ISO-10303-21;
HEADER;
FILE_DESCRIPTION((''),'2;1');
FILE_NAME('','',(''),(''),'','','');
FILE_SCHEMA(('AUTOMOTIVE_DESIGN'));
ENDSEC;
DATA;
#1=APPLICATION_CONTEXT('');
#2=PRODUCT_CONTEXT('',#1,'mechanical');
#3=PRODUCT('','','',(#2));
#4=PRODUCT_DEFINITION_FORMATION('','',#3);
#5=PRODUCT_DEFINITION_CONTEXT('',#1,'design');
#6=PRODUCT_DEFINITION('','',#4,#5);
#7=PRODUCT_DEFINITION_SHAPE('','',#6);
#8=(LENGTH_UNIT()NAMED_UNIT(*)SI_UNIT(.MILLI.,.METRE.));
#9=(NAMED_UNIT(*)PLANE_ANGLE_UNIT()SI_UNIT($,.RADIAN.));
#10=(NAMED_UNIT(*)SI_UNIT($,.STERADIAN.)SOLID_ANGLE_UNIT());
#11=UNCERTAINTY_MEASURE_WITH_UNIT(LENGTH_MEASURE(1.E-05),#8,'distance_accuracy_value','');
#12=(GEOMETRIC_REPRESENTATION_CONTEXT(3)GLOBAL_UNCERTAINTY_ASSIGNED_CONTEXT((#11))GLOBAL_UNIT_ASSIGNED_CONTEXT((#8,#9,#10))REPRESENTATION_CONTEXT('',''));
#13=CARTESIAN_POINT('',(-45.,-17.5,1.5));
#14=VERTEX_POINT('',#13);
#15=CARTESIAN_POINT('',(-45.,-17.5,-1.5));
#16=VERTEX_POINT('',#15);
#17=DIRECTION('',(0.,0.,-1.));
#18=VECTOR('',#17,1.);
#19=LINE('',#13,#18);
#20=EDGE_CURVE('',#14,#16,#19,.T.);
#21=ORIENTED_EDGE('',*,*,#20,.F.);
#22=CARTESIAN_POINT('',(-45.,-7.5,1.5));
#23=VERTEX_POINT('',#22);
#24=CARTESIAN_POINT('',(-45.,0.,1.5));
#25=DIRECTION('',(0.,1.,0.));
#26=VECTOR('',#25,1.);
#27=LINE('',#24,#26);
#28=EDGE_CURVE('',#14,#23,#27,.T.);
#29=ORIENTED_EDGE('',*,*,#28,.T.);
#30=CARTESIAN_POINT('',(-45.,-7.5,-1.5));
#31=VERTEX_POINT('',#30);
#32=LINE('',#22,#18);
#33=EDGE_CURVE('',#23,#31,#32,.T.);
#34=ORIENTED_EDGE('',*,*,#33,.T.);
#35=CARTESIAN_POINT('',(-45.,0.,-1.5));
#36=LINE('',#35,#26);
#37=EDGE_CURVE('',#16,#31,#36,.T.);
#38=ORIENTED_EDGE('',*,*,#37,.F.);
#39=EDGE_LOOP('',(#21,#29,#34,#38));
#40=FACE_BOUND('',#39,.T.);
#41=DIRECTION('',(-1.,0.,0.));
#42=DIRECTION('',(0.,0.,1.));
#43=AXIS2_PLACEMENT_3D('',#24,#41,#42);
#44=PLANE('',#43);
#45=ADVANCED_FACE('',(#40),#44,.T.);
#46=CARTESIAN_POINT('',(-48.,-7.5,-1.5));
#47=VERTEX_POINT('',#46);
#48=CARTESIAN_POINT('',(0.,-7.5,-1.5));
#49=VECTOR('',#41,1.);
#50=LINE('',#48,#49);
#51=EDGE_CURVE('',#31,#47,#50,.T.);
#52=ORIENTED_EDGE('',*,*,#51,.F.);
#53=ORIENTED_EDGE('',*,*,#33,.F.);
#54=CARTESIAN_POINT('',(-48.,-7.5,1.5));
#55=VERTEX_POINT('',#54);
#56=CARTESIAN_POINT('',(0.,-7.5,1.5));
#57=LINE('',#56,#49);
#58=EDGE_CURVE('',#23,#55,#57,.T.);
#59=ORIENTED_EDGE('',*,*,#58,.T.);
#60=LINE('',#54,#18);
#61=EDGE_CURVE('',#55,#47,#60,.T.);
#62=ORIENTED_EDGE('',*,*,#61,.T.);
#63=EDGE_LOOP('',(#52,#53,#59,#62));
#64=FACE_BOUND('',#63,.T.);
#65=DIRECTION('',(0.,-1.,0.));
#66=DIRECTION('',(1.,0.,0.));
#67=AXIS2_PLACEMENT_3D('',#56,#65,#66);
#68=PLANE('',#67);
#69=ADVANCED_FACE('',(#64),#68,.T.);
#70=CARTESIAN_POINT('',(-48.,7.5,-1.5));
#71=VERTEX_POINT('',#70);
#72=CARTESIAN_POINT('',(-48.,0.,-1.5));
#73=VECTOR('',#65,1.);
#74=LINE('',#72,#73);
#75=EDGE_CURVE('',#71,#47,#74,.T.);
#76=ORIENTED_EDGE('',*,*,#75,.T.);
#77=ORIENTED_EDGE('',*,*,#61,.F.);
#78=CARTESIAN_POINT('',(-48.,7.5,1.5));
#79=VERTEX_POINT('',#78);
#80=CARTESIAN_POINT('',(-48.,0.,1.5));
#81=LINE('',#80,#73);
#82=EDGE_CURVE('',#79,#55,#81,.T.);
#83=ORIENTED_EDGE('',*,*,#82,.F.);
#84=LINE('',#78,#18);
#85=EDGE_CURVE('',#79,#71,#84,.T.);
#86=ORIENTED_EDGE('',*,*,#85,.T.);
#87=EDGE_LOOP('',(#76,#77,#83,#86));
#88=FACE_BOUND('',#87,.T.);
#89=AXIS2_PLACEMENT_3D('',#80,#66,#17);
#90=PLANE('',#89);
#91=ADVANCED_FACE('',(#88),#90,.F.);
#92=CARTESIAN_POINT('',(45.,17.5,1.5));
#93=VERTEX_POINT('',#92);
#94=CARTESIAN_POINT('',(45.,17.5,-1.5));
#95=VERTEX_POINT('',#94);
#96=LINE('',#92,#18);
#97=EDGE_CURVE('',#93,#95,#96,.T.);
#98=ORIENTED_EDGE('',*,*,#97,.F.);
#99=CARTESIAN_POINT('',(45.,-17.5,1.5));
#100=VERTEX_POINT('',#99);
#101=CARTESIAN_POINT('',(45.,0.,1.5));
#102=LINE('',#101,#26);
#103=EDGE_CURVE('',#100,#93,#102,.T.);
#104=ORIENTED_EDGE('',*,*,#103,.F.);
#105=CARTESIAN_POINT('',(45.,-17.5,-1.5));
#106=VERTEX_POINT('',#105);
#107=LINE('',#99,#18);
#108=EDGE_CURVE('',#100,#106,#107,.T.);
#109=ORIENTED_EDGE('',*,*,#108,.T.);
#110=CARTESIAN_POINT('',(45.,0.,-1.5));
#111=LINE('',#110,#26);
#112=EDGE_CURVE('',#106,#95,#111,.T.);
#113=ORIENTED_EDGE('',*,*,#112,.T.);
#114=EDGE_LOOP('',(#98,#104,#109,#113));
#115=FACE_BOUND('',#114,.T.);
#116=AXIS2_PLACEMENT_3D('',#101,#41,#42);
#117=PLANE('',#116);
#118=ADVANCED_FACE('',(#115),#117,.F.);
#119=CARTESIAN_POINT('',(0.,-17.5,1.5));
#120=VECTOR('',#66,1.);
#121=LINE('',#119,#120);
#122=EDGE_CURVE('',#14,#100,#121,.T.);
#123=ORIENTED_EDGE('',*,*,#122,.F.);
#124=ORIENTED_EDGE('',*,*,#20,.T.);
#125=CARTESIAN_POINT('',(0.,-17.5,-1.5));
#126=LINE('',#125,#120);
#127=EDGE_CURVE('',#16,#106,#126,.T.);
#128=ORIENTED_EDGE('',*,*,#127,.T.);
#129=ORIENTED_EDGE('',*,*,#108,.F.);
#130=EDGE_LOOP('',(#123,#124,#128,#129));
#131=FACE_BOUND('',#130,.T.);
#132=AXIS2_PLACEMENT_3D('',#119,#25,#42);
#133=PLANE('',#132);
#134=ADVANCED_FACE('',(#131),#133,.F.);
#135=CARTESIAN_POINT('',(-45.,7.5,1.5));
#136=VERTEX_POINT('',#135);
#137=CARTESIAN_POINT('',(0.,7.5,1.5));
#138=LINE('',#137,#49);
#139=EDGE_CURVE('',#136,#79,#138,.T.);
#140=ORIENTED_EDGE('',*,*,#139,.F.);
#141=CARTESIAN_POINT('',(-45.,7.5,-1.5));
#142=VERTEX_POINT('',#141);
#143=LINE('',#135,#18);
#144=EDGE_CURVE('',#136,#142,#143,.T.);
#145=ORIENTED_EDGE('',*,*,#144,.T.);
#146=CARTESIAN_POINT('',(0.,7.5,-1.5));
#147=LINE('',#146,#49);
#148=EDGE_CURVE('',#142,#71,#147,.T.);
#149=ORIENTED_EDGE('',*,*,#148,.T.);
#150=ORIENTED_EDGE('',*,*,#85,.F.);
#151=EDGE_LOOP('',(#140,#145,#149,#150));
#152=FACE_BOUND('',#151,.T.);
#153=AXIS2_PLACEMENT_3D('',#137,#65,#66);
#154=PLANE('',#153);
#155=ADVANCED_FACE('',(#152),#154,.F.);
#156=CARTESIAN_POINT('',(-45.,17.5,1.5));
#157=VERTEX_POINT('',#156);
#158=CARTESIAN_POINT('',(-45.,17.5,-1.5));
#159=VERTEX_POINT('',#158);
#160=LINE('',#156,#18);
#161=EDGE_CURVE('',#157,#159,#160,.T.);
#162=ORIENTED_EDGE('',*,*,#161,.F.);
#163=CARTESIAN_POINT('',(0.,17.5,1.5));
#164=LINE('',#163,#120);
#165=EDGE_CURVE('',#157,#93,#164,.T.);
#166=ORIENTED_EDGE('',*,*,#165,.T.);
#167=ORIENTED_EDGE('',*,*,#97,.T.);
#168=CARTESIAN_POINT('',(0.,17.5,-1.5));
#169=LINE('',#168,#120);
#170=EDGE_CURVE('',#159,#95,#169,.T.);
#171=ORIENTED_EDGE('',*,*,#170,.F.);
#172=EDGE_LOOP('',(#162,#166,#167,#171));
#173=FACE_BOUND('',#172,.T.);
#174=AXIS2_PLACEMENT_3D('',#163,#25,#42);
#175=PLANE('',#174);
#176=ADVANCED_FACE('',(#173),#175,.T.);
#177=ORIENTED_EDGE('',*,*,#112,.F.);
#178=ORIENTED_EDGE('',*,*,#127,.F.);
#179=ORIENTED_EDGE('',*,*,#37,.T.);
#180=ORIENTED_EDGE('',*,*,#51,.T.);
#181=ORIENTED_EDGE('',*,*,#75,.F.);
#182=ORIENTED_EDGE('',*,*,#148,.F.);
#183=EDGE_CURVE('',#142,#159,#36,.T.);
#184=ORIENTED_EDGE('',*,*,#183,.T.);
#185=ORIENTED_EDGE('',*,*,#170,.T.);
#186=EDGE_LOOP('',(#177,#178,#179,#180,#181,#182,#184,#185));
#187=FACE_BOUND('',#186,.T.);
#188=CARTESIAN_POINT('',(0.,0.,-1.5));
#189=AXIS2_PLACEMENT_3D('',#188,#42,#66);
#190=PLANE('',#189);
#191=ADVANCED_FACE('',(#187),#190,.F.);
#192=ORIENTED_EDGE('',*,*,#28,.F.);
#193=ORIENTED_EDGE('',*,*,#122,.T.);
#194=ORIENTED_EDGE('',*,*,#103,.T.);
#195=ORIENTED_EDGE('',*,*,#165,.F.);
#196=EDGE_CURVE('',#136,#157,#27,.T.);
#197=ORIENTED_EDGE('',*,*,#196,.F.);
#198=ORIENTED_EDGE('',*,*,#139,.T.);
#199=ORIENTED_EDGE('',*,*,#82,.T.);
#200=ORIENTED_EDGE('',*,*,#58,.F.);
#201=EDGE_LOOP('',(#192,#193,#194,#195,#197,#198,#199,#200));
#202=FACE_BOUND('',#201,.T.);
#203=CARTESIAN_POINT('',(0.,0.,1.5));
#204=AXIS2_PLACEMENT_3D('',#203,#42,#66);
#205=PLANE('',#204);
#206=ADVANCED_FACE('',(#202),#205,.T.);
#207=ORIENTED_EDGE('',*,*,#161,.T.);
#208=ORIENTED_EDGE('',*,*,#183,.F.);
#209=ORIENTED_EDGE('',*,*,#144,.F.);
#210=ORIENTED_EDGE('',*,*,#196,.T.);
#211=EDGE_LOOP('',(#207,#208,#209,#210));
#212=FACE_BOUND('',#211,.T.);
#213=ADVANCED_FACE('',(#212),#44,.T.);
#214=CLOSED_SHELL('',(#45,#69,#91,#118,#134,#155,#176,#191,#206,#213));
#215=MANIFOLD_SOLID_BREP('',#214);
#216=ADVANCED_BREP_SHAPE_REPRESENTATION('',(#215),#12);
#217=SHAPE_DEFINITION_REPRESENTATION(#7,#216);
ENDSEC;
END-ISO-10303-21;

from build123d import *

# Parameters (mm, degrees)
SKETCH1_W           = 90
SKETCH1_H           = 35
SKETCH1_W_2         = 3
SKETCH1_H_2         = 15
BOSS_EXTRUDE1_DEPTH = 1.5


with BuildPart() as part:
    # Sketch1 → Boss-Extrude1 (new, symmetric)
    with BuildSketch(Plane.XY):
        Rectangle(SKETCH1_W, SKETCH1_H)
        with Locations((-46.5, 0)):
            Rectangle(SKETCH1_W_2, SKETCH1_H_2)
    extrude(amount=BOSS_EXTRUDE1_DEPTH, both=True)


solid = part.part
